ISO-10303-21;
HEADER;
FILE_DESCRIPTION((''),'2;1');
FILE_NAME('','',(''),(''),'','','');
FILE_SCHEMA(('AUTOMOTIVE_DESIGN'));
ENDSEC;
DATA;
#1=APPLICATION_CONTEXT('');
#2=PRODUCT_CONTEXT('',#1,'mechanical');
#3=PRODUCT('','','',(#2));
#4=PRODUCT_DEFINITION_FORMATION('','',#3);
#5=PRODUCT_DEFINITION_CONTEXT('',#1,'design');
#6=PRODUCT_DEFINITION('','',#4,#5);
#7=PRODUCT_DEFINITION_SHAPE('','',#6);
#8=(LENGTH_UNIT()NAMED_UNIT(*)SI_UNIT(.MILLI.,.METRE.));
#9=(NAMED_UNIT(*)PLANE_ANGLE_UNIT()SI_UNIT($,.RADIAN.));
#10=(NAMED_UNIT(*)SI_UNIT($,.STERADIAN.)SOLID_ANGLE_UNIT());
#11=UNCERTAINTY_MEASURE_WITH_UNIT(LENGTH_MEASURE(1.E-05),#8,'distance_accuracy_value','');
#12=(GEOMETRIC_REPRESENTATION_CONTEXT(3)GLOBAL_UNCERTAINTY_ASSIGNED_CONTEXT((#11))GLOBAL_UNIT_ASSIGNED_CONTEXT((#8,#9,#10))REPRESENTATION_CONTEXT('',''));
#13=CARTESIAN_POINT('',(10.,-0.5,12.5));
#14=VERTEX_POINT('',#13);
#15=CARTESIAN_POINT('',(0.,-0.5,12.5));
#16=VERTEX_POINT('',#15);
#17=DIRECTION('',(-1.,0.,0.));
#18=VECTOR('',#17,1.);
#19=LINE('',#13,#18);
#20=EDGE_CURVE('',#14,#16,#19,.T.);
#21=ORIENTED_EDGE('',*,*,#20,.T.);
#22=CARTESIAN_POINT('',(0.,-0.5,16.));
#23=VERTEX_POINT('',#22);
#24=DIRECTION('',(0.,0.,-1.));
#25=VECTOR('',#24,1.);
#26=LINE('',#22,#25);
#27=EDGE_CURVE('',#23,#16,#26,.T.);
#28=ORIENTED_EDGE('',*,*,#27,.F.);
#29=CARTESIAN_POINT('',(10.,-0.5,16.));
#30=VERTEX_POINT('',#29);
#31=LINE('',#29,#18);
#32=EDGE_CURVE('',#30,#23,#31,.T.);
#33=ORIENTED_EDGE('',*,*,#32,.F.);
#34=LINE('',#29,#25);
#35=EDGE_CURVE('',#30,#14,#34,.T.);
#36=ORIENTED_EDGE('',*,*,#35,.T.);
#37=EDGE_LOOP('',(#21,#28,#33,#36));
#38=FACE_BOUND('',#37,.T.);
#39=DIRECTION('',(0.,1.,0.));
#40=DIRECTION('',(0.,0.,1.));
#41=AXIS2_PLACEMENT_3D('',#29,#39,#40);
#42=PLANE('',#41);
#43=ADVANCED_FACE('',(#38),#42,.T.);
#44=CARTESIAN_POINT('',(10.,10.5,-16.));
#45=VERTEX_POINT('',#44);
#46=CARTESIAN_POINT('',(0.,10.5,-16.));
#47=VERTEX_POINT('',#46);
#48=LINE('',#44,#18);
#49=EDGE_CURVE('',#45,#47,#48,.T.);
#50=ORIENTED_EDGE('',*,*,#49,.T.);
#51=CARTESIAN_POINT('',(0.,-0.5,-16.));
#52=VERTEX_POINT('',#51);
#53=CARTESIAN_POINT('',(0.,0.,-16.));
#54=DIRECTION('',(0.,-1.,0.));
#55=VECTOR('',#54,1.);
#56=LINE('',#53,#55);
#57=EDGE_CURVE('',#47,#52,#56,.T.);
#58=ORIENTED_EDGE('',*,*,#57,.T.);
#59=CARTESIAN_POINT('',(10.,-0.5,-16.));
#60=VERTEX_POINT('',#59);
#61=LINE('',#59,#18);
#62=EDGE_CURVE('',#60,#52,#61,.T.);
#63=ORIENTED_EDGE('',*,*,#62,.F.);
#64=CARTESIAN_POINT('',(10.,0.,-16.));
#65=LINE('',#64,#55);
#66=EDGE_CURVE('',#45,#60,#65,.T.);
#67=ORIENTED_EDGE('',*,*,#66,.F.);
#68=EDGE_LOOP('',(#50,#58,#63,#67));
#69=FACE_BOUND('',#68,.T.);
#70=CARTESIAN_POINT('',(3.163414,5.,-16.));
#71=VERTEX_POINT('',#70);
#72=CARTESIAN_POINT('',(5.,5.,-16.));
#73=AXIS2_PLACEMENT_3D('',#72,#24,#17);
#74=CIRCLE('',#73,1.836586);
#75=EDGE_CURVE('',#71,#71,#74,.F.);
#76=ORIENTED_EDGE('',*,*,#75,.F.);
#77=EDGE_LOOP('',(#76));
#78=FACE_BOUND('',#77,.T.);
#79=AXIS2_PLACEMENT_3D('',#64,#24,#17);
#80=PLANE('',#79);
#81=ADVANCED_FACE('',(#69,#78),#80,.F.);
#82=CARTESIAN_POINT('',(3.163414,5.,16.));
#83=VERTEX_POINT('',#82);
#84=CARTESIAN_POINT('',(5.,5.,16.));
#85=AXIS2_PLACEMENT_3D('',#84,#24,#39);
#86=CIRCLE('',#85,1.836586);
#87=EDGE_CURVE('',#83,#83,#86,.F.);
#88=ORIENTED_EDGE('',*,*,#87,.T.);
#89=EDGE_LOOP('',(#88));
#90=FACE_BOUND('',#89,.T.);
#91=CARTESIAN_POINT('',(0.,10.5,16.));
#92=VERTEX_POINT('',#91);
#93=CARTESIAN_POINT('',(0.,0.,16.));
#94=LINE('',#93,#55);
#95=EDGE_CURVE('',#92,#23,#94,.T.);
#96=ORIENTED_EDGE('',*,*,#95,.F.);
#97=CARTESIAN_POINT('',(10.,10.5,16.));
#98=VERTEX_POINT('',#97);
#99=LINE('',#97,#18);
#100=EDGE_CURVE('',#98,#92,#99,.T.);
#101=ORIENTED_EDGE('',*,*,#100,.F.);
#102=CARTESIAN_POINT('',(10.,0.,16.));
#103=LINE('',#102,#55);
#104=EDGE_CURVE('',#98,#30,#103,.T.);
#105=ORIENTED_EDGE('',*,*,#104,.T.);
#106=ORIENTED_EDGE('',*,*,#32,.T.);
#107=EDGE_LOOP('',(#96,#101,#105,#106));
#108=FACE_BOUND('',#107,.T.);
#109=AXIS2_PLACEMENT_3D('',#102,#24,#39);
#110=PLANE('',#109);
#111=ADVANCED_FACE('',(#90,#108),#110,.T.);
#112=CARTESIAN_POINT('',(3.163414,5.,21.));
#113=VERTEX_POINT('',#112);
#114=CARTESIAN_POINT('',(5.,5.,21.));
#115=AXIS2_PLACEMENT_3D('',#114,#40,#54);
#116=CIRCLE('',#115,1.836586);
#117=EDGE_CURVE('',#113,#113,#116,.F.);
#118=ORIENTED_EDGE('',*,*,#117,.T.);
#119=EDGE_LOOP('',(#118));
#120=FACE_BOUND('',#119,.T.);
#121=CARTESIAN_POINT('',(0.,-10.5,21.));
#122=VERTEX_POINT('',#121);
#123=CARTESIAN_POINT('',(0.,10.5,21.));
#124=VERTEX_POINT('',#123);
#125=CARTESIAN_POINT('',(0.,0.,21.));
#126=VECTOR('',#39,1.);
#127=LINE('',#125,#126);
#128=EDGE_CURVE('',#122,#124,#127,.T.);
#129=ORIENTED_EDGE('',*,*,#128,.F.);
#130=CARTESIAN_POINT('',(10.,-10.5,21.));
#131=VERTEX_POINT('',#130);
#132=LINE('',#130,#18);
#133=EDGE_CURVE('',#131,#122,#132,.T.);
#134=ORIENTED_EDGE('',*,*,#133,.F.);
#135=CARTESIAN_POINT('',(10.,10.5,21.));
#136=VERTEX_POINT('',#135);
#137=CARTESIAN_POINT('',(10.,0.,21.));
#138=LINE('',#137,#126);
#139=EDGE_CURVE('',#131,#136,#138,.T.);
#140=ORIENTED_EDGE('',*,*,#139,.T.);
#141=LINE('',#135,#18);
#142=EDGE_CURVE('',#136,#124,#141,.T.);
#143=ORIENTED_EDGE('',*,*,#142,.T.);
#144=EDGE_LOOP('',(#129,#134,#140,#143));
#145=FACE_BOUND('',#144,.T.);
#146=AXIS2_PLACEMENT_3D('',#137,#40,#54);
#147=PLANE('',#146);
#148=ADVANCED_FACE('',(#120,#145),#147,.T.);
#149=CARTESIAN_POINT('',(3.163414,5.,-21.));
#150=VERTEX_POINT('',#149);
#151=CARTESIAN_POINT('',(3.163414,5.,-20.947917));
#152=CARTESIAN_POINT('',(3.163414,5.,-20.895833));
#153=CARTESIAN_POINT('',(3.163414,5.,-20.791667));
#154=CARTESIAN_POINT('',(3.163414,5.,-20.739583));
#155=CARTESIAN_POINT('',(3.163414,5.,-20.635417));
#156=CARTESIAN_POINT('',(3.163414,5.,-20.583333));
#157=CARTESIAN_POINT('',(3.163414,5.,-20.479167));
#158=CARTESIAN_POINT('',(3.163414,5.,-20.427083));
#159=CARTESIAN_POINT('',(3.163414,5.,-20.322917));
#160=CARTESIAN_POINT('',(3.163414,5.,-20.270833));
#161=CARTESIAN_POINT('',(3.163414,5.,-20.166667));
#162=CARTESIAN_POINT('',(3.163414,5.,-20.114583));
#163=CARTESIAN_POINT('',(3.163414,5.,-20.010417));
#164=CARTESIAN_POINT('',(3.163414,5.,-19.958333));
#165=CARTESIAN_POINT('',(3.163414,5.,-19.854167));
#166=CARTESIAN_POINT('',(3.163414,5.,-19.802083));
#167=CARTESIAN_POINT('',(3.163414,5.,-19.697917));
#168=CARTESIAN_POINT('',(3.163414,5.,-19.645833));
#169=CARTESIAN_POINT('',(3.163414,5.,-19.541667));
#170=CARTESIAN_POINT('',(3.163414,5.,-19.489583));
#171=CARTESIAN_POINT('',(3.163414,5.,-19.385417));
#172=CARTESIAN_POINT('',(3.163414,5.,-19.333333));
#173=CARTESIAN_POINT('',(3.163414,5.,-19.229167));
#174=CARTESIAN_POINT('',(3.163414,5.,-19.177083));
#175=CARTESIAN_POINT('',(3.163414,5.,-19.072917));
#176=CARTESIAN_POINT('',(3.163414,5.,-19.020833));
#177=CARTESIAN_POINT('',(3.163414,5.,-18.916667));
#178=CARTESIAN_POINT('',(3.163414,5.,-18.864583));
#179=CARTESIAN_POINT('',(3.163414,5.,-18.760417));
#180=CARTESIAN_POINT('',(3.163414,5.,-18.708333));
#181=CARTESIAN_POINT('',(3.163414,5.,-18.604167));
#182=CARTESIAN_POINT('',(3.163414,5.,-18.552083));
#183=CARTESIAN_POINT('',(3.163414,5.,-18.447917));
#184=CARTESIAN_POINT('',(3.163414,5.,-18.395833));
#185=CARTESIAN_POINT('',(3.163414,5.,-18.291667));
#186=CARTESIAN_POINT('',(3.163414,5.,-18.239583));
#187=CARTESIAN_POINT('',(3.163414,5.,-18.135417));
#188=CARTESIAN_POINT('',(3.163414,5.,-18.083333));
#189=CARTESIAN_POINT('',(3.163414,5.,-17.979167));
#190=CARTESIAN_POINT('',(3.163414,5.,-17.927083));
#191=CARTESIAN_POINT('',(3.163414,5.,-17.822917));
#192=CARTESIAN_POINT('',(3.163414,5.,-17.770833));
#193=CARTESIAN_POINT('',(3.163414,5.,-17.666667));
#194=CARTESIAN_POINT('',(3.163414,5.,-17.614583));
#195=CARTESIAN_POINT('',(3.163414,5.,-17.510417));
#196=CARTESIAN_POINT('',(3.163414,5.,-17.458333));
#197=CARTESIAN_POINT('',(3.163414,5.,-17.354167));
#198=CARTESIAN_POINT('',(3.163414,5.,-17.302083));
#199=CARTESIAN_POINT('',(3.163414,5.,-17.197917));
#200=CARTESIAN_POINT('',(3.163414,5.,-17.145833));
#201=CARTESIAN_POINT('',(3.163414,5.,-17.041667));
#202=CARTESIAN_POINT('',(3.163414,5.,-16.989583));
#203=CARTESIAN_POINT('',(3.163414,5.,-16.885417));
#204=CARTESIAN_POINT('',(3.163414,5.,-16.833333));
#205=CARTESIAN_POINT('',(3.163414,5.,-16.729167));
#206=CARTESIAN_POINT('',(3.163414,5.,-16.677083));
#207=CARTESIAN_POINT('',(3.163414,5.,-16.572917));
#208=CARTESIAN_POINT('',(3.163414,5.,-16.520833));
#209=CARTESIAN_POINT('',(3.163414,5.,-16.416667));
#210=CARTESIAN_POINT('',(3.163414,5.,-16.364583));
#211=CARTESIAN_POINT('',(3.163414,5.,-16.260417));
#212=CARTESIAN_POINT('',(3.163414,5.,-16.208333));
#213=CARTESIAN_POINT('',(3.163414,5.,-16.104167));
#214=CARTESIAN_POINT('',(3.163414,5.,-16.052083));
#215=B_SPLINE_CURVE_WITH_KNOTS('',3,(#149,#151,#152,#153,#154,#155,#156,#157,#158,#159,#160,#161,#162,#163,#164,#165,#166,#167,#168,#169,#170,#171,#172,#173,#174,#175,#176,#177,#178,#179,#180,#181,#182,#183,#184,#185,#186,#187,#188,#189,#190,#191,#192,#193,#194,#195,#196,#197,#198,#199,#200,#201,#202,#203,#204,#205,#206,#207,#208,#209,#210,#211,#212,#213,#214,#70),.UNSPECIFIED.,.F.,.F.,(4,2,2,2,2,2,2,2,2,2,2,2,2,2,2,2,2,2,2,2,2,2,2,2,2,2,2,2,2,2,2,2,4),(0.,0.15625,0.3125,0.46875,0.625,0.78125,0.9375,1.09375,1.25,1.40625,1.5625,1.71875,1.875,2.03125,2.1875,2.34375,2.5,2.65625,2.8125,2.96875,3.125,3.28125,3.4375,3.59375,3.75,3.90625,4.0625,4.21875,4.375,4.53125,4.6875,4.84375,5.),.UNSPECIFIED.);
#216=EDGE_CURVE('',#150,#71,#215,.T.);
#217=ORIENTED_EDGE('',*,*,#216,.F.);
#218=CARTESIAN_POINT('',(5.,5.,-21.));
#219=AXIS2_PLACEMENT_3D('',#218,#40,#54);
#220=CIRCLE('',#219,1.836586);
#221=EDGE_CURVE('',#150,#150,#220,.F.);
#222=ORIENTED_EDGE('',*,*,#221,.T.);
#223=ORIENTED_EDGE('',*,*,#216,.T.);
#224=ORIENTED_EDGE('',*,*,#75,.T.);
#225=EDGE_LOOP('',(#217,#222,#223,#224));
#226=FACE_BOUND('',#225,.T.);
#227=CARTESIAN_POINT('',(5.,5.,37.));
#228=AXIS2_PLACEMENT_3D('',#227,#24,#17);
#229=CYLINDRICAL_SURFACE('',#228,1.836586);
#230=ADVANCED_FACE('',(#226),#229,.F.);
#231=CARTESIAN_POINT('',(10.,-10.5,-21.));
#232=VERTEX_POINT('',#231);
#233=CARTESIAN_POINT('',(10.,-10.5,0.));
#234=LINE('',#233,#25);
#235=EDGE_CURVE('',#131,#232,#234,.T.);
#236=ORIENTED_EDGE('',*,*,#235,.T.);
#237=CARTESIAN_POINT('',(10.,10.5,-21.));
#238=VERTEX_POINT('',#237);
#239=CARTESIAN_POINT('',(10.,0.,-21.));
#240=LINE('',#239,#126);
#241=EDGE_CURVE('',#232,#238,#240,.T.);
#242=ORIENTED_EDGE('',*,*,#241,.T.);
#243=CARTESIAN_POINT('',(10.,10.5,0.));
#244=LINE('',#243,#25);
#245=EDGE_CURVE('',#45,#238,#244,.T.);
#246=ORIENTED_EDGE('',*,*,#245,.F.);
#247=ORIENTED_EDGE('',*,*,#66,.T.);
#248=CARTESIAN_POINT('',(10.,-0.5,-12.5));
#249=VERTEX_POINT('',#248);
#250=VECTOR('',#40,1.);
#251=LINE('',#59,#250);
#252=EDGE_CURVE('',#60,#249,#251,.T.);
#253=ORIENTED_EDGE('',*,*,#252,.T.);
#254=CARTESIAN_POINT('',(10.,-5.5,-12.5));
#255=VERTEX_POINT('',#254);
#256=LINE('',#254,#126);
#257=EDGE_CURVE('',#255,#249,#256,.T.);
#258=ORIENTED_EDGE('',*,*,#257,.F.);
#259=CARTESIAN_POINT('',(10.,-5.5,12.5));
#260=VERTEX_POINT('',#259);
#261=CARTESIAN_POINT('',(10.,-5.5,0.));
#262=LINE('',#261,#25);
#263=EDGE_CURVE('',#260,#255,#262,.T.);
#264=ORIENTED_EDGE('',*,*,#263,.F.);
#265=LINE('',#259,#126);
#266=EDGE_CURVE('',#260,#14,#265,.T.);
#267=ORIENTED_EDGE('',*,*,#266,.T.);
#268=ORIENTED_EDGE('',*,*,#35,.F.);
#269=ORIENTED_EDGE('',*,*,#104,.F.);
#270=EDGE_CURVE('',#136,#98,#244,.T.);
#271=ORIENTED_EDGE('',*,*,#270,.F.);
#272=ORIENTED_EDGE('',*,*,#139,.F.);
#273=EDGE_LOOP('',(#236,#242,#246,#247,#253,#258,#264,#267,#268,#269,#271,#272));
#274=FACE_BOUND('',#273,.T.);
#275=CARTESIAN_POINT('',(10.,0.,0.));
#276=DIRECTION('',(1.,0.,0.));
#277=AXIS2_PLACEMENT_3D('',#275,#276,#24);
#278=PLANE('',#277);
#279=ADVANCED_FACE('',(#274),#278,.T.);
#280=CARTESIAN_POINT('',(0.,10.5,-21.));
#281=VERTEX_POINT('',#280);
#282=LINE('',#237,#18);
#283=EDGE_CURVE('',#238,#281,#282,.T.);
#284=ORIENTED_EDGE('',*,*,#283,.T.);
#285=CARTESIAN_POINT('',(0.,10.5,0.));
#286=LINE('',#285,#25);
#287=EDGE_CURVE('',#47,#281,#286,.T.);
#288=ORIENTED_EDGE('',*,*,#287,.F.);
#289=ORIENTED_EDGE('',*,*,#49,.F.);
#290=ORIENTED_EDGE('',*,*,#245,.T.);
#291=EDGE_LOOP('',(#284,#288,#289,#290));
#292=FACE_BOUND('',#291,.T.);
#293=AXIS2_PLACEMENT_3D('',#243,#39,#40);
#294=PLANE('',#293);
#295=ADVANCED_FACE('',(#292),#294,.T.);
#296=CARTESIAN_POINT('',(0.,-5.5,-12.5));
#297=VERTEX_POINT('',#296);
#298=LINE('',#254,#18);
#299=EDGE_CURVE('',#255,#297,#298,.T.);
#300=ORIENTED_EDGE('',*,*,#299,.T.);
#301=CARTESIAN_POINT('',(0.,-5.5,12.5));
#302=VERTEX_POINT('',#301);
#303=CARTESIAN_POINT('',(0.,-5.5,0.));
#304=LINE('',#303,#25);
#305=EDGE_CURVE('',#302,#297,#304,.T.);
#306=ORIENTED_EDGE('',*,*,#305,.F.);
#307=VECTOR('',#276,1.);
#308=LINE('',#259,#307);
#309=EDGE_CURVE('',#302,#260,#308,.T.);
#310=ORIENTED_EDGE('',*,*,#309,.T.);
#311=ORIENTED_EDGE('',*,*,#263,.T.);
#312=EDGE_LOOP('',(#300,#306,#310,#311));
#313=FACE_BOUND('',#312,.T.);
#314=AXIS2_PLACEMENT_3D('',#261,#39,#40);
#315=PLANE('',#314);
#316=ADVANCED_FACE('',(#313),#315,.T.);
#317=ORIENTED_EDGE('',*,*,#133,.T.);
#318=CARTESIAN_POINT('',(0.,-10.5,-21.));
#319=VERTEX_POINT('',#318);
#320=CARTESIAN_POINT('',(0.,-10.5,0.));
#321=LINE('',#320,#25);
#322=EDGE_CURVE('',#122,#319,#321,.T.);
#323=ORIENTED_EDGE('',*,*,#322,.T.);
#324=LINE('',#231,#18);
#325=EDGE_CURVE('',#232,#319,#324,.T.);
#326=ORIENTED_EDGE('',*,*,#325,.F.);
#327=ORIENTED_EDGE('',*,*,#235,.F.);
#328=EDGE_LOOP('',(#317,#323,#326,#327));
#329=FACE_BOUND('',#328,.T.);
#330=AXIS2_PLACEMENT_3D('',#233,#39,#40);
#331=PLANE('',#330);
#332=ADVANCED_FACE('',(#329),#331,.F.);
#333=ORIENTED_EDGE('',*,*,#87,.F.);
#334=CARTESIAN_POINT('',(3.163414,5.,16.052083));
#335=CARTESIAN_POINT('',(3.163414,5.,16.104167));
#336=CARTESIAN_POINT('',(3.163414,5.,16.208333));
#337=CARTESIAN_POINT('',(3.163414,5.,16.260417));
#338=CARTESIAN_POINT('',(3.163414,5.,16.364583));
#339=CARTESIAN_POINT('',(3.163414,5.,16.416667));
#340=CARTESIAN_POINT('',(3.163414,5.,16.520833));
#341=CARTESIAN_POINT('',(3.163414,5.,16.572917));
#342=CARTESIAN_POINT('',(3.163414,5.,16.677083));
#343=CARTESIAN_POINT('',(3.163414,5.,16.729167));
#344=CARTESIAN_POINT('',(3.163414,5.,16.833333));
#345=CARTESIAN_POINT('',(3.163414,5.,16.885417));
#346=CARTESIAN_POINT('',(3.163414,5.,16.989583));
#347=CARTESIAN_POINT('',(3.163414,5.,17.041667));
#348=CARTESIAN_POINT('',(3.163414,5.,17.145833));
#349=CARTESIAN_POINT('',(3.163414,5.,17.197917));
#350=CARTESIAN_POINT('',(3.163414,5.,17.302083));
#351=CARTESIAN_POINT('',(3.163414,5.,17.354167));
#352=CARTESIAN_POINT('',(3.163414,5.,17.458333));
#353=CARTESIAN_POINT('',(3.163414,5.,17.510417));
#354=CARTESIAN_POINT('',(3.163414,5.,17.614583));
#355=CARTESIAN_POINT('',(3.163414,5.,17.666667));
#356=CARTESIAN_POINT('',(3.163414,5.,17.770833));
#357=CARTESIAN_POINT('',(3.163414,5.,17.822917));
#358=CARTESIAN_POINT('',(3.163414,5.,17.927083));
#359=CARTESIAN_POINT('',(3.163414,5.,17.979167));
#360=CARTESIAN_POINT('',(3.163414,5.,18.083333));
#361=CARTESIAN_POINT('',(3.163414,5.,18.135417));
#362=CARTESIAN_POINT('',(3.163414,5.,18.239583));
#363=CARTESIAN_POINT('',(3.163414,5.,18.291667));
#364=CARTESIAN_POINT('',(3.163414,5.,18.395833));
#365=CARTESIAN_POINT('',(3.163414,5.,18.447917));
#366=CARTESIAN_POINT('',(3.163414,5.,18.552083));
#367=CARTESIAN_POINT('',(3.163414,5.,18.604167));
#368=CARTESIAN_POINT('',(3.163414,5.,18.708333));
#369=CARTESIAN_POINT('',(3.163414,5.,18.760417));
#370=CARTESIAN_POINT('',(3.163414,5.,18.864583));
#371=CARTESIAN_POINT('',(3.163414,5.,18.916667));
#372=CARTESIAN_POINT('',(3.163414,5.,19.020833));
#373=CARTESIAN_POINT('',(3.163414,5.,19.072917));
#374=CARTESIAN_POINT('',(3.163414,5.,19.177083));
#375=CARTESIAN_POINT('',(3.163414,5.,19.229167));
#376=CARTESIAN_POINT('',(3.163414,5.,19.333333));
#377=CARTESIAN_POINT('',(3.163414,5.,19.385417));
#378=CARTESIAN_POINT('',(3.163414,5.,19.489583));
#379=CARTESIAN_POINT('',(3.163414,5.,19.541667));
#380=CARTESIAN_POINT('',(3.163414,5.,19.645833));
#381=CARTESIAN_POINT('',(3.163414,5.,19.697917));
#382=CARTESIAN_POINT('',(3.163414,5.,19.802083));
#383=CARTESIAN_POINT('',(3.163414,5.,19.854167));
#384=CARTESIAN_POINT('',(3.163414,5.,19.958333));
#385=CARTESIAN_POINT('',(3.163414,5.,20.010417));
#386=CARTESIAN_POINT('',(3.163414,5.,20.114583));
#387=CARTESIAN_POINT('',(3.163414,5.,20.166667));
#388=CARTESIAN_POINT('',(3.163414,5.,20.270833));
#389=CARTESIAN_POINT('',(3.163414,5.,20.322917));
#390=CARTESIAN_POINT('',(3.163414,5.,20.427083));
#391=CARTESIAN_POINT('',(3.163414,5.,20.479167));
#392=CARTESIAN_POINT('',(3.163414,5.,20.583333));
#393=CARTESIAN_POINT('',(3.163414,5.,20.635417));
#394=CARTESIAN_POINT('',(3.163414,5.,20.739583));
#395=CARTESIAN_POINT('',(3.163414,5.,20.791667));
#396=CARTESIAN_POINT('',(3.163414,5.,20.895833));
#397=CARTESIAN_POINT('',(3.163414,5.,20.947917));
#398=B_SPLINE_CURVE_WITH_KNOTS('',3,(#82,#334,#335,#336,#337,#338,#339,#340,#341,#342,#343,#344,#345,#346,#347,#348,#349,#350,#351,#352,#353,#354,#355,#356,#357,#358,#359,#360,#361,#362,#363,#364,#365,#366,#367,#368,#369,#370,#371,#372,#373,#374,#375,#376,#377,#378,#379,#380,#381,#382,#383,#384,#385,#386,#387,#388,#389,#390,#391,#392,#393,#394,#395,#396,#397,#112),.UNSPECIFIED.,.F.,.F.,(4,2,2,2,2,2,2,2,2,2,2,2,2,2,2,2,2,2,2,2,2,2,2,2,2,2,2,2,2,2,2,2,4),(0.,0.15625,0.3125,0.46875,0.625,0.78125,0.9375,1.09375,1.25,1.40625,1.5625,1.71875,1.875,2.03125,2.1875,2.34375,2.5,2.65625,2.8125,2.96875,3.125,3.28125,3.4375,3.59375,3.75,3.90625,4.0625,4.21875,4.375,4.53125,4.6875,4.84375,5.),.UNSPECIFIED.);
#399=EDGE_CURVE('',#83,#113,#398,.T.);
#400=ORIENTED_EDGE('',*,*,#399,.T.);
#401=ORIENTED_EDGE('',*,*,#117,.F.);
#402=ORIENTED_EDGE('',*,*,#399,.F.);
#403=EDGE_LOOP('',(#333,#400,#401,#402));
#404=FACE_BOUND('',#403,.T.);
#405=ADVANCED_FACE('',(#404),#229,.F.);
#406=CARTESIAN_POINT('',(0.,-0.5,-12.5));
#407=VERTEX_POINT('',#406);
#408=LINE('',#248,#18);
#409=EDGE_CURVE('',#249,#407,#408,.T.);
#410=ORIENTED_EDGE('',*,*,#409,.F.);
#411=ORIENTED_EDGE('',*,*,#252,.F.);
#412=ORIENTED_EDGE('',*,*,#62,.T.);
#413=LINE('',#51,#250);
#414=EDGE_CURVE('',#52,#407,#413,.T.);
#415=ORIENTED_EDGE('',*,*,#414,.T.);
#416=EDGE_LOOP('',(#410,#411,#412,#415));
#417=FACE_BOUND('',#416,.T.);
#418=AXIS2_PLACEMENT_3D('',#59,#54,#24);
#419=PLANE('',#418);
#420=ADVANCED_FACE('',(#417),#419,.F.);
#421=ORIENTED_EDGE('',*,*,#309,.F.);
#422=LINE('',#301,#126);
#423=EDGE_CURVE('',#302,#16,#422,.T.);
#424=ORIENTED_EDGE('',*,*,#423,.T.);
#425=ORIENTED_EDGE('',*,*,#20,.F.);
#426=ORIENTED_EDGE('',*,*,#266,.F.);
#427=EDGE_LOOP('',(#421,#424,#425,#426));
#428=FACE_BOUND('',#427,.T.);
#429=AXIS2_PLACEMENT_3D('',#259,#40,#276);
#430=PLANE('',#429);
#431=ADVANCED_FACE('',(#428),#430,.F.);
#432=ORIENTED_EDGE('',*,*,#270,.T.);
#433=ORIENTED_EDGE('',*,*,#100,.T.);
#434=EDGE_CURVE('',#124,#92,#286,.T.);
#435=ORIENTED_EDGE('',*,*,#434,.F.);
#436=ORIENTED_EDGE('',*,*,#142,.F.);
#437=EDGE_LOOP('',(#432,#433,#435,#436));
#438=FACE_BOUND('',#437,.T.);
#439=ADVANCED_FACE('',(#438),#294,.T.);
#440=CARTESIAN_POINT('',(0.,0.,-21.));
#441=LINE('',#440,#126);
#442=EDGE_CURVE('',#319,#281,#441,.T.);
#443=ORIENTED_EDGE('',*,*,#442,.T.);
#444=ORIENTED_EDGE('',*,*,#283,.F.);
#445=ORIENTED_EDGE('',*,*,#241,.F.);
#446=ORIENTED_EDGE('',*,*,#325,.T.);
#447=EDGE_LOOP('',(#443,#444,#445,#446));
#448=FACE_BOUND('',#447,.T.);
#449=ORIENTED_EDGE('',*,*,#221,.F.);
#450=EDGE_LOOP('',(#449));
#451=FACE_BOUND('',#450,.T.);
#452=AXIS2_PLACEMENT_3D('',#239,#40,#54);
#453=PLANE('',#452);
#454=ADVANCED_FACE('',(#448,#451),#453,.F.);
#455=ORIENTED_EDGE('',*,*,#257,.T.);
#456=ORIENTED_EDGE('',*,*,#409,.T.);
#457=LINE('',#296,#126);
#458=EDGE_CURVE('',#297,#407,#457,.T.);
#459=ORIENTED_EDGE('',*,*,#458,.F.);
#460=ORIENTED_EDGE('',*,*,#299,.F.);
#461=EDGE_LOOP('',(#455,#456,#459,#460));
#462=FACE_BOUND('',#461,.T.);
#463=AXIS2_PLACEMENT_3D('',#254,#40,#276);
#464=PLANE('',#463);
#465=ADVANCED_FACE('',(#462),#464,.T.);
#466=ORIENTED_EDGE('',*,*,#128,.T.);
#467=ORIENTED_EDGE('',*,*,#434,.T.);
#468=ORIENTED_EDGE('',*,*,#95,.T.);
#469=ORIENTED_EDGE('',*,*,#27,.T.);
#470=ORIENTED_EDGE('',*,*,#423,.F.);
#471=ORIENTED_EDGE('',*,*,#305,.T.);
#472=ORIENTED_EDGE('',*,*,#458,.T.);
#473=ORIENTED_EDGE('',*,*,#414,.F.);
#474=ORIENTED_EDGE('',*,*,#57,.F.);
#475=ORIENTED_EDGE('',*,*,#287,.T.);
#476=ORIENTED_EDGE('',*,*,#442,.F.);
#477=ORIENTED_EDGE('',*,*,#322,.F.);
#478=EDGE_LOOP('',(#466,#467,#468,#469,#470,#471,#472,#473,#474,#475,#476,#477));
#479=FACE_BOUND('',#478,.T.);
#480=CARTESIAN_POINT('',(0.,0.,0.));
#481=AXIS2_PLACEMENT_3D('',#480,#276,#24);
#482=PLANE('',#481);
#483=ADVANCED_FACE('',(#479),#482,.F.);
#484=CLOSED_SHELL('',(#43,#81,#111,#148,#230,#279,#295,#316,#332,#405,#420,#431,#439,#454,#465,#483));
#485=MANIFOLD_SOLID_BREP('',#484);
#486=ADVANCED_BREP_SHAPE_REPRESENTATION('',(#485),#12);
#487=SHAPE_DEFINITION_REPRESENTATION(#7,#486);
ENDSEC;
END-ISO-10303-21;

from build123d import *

# Parameters (mm, degrees)
SKETCH1_W               = 3.5
SKETCH1_H               = 5
BOSS_EXTRUDE1_DEPTH     = 10
CUT_EXTRUDE1_DEPTH      = 53
CUT_EXTRUDE1_DEPTH_BACK = 10
SKETCH2_R               = 1.836585915


with BuildPart() as part:
    # Sketch1 → Boss-Extrude1 (new body)
    with BuildSketch(Plane(origin=(0, 0, 0), x_dir=(0, 0, -1), z_dir=(1, 0, 0))):
        Polygon((-21, 10.5), (-21, -10.5), (21, -10.5), (21, 10.5), (16, 10.5), (16, -0.5), (16, -5.5), (12.5, -5.5), (-12.5, -5.5), (-16, -5.5), (-16, -0.5), (-16, 10.5), align=None)
        with Locations((-14.25, -3)):
            Rectangle(SKETCH1_W, SKETCH1_H)
        with Locations((14.25, -3)):
            Rectangle(SKETCH1_W, SKETCH1_H)
    extrude(amount=BOSS_EXTRUDE1_DEPTH)

    # Sketch2 → Cut-Extrude1 (cut, two sides: drawn at the far end of the back side and taken through both)
    with BuildSketch(Plane.XY.offset(-16).offset(-CUT_EXTRUDE1_DEPTH_BACK)):
        with Locations(Location((5, 5, 0), (0, 0, 180))):
            Circle(SKETCH2_R)
    extrude(amount=CUT_EXTRUDE1_DEPTH + CUT_EXTRUDE1_DEPTH_BACK, mode=Mode.SUBTRACT)


solid = part.part
